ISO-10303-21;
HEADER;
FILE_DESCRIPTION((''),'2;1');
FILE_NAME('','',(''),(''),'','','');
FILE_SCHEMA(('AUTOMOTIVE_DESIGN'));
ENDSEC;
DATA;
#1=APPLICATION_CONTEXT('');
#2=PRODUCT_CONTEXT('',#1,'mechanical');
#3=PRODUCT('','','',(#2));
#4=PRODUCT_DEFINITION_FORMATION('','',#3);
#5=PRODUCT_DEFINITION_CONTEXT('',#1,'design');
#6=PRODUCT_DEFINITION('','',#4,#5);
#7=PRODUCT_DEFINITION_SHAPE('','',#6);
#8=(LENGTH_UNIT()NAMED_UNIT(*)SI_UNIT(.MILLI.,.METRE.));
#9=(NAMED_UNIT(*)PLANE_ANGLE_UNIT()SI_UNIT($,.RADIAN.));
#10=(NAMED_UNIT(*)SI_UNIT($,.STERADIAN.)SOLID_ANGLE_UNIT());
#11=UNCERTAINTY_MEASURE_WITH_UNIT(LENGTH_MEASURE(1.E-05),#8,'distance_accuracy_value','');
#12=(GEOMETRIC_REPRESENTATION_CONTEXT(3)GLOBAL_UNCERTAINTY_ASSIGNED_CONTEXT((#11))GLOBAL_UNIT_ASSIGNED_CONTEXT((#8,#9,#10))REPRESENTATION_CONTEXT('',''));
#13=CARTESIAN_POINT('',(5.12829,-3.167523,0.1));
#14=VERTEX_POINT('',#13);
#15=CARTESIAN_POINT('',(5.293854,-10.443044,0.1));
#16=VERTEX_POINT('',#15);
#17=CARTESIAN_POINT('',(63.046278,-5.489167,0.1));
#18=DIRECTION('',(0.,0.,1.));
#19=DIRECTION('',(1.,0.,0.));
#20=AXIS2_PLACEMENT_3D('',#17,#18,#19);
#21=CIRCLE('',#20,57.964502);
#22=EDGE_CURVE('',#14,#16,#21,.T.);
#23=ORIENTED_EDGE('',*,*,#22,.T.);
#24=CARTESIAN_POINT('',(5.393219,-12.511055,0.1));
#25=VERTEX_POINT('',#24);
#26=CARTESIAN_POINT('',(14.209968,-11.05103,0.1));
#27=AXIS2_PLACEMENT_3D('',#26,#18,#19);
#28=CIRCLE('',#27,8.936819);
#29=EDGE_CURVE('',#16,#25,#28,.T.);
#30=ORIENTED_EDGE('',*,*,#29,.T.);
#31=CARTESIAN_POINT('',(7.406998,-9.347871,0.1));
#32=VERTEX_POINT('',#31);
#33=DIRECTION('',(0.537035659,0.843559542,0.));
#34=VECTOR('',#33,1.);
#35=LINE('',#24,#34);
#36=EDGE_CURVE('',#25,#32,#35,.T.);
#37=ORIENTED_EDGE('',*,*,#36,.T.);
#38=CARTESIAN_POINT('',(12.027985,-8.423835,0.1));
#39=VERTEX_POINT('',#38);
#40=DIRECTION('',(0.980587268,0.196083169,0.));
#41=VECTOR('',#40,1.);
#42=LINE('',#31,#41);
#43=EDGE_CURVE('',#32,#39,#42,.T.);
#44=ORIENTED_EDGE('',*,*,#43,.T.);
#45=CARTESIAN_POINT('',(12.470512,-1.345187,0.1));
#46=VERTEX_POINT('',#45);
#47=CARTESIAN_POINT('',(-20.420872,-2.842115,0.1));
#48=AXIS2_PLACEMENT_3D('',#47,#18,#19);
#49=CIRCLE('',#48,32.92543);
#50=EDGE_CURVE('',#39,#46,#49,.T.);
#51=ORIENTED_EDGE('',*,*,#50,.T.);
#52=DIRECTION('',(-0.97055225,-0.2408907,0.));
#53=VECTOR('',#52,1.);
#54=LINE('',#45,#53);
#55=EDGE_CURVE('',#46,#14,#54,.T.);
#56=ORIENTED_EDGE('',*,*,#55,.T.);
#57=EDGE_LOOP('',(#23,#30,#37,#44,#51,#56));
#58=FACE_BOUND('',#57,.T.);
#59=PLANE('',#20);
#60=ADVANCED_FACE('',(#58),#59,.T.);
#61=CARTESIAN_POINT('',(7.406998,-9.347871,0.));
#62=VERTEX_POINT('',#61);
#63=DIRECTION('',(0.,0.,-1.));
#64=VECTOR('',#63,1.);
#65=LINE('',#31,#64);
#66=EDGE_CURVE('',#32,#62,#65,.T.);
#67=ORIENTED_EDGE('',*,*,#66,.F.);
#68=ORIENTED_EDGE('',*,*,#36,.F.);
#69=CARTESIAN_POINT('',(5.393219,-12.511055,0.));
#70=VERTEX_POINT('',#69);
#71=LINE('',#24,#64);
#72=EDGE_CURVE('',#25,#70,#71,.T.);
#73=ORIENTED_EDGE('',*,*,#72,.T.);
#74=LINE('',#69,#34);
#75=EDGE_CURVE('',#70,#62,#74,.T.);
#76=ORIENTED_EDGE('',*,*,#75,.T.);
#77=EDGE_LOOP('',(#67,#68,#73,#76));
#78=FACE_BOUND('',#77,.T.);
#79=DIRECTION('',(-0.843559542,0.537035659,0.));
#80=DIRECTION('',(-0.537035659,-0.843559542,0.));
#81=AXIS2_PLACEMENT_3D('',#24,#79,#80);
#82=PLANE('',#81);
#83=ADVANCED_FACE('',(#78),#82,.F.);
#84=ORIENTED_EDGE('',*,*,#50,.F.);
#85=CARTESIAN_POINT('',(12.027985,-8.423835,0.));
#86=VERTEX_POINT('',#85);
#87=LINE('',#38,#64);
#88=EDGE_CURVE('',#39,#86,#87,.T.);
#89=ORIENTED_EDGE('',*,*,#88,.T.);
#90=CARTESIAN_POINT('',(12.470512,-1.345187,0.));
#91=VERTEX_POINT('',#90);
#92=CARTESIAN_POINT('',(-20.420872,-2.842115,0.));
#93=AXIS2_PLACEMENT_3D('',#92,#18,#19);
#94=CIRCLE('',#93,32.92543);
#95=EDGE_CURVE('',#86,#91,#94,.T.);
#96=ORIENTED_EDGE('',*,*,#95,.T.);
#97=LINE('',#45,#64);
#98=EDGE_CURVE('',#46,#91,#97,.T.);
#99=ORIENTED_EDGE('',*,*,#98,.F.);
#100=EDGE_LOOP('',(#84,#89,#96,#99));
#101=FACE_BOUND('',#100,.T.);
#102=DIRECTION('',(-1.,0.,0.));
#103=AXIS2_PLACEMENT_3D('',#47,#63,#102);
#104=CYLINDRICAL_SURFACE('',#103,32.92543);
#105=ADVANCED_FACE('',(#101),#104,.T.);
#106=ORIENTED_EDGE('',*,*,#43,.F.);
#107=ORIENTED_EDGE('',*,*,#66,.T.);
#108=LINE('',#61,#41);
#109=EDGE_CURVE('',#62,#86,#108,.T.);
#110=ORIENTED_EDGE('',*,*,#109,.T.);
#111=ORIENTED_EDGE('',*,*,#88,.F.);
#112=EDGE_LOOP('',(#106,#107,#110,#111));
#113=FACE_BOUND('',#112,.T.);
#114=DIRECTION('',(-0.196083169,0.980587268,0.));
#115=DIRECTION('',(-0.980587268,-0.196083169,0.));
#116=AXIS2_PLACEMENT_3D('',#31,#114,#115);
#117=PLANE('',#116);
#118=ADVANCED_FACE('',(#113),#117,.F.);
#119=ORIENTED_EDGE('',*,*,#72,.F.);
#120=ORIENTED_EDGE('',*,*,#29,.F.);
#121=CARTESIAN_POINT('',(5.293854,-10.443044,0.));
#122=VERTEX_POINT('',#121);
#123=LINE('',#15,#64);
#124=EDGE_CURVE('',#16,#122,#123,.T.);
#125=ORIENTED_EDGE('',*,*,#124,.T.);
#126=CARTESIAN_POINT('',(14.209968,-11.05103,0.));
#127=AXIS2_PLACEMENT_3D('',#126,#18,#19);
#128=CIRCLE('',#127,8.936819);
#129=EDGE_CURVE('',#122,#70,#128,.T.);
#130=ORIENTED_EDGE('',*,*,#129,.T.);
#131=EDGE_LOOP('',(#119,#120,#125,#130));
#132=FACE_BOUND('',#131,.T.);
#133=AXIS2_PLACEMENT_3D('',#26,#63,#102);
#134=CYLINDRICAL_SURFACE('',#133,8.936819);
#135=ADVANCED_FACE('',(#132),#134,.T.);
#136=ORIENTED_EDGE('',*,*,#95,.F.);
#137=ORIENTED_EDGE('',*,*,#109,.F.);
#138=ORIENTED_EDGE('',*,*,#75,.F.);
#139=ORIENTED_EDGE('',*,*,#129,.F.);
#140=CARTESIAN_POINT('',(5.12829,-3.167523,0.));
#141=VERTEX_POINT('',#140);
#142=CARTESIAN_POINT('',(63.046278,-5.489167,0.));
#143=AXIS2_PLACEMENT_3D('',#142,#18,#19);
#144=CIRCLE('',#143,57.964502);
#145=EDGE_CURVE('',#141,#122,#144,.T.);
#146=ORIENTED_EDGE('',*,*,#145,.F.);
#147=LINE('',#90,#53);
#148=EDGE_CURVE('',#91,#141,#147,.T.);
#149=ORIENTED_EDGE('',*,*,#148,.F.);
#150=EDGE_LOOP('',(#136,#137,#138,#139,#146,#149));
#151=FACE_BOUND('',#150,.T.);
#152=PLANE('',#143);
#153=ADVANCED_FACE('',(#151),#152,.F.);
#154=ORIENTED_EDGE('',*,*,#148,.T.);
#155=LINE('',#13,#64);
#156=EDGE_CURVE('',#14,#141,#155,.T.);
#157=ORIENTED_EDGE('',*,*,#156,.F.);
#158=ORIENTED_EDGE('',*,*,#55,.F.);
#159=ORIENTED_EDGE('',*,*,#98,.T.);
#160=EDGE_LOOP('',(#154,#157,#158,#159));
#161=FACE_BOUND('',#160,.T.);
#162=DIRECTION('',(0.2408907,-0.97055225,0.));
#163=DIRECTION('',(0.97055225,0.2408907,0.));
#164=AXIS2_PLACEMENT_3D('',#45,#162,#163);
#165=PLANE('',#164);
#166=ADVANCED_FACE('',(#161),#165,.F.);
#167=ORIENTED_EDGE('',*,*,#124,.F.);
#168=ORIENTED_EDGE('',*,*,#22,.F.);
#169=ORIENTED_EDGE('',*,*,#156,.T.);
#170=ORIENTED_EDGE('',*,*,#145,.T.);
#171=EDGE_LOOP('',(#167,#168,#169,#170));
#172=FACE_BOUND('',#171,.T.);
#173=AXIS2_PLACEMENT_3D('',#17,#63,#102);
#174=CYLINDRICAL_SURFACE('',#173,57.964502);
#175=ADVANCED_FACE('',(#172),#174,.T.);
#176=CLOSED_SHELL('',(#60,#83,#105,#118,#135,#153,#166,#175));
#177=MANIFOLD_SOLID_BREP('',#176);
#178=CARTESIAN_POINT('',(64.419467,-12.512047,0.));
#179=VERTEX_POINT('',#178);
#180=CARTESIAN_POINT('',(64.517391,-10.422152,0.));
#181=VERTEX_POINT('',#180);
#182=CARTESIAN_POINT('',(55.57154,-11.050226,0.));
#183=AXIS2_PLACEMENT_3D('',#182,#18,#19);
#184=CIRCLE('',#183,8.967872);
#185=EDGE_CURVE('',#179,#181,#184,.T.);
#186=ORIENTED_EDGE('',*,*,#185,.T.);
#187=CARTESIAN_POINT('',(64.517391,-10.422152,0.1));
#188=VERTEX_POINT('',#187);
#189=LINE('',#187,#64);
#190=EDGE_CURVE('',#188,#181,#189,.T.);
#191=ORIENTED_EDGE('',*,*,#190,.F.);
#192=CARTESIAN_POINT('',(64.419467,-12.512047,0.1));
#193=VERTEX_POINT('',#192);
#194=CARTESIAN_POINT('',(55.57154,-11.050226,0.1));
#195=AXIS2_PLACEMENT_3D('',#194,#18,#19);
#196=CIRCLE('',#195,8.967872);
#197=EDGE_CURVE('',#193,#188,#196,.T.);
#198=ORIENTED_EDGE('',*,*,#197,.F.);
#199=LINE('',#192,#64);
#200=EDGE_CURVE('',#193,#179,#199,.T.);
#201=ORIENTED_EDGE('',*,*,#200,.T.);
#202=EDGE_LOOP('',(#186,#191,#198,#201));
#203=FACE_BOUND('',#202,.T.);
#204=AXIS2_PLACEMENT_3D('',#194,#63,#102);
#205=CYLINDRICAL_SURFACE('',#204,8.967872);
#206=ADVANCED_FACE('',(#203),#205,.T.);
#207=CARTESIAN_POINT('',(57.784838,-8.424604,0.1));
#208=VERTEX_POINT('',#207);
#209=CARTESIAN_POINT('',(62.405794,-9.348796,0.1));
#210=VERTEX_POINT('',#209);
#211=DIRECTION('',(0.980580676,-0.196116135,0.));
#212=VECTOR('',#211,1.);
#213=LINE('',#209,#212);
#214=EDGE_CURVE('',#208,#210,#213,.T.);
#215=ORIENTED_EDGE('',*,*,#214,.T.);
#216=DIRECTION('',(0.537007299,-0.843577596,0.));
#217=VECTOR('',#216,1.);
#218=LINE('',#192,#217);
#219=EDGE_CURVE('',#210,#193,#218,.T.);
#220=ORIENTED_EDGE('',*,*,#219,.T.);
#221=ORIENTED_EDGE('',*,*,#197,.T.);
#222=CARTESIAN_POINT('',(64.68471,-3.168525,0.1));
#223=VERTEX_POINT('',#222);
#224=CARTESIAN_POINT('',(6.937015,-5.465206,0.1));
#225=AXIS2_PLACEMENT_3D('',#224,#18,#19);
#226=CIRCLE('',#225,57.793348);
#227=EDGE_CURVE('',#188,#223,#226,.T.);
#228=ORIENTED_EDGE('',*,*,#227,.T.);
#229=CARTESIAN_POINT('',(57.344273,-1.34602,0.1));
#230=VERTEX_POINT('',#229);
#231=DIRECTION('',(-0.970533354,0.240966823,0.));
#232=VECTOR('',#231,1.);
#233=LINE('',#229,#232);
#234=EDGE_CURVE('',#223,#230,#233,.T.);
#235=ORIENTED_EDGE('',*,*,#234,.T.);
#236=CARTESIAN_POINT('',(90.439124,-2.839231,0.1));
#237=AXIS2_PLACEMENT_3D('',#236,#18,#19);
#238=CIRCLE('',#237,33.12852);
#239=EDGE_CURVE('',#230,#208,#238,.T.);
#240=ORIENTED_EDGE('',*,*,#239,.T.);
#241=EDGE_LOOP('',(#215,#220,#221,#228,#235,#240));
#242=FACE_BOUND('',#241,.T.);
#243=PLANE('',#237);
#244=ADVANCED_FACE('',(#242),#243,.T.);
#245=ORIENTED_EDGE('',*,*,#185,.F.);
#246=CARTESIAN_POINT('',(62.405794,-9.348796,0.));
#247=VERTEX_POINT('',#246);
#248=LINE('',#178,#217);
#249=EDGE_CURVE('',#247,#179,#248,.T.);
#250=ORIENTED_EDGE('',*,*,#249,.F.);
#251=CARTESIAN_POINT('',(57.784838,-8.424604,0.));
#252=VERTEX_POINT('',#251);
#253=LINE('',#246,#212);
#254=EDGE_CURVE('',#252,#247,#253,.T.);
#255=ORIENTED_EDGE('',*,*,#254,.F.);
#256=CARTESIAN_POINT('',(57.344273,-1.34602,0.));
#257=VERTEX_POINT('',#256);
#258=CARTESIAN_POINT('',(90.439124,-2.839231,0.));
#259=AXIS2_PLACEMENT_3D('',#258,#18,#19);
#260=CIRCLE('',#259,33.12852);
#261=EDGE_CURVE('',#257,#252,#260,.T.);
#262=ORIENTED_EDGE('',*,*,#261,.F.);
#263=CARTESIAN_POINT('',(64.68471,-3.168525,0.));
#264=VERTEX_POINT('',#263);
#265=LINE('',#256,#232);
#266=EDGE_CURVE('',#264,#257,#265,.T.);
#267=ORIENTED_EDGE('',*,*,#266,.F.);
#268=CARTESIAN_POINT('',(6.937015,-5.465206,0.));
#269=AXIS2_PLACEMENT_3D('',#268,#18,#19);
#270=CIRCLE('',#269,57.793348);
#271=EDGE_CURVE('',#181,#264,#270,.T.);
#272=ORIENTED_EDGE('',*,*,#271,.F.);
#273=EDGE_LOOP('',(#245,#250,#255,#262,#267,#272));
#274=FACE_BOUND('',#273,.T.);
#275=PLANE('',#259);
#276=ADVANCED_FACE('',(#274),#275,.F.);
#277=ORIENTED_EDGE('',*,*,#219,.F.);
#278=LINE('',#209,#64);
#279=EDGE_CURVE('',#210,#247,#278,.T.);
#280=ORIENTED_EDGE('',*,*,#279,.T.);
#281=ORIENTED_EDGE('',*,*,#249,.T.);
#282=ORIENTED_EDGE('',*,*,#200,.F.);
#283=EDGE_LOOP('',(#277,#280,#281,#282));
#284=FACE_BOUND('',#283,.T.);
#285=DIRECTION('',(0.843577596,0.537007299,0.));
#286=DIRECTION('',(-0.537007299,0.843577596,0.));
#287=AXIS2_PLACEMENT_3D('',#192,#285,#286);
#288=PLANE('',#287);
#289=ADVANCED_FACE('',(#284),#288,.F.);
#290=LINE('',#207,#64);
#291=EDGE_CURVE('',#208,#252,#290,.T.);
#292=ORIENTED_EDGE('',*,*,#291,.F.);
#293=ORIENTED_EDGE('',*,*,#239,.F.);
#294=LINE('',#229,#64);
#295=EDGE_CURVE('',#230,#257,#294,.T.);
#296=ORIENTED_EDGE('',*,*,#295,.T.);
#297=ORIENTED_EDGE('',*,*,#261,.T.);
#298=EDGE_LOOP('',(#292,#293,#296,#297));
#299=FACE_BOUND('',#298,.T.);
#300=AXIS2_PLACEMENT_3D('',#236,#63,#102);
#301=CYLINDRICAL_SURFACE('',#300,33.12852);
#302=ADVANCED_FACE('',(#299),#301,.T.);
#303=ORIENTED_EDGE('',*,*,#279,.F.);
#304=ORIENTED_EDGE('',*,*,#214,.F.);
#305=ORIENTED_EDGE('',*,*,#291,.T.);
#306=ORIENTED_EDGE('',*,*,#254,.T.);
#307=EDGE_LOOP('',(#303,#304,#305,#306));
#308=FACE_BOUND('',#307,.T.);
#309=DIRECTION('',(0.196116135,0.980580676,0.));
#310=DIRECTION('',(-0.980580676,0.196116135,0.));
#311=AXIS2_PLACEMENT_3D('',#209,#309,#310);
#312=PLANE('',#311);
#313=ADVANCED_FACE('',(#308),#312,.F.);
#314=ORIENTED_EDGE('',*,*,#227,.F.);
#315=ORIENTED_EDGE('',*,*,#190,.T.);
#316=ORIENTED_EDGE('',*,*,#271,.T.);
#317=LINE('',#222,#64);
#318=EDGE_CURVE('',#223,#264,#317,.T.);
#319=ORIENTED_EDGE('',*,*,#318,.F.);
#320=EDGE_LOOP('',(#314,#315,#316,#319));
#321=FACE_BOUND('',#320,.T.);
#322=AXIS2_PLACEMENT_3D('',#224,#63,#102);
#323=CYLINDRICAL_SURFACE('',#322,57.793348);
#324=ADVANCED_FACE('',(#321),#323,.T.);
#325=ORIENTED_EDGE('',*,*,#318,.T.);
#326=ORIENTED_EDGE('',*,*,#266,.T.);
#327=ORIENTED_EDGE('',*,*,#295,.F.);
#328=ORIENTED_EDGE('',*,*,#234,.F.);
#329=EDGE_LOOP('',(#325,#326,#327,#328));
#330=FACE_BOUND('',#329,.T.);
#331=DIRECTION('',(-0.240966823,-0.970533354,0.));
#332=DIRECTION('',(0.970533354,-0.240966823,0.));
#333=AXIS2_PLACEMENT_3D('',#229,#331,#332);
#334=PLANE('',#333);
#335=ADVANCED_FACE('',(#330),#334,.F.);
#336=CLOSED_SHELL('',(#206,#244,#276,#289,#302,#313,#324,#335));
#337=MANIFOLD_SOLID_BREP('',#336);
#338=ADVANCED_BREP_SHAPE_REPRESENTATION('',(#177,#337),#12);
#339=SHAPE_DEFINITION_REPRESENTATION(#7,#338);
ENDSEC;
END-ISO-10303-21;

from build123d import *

# Parameters (mm, degrees)
SALIENTE_EXTRUIR1_DEPTH   = 0.1
SALIENTE_EXTRUIR1_2_DEPTH = 0.1


with BuildPart() as part:
    # Model → Saliente-Extruir1 (new body)
    with BuildSketch(Plane.XY):
        with BuildLine():
            Line((12.47051214, -1.34518661), (5.128289663, -3.167523437))
            ThreePointArc((5.128289663, -3.167523437), (5.096779394, -6.807884745), (5.293853737, -10.443044309))
            ThreePointArc((5.293853737, -10.443044309), (5.28344692, -11.479936915), (5.393218826, -12.511055097))
            Line((5.393218826, -12.511055097), (7.406998009, -9.347871018))
            Line((7.406998009, -9.347871018), (12.027985323, -8.423835121))
            ThreePointArc((12.027985323, -8.423835121), (12.440406197, -4.896461212), (12.47051214, -1.34518661))
        make_face()
    extrude(amount=SALIENTE_EXTRUIR1_DEPTH)


with BuildPart() as body_2:
    # Model → Saliente-Extruir1 2 (new body)
    with BuildSketch(Plane.XY):
        with BuildLine():
            Line((57.344273363, -1.346019767), (64.684709921, -3.168524547))
            ThreePointArc((64.684709921, -3.168524547), (64.730344073, -5.511351893), (64.680968663, -7.854103378))
            ThreePointArc((64.680968663, -7.854103378), (64.613474445, -9.139037986), (64.517391056, -10.422151543))
            ThreePointArc((64.517391056, -10.422151543), (64.529583716, -11.469964899), (64.41946664, -12.512047295))
            Line((64.41946664, -12.512047295), (62.4057938, -9.348795516))
            Line((62.4057938, -9.348795516), (57.784837554, -8.424604267))
            ThreePointArc((57.784837554, -8.424604267), (57.374583379, -4.897135694), (57.344273363, -1.346019767))
        make_face()
    extrude(amount=SALIENTE_EXTRUIR1_2_DEPTH)


solid = Compound([part.part, body_2.part])
